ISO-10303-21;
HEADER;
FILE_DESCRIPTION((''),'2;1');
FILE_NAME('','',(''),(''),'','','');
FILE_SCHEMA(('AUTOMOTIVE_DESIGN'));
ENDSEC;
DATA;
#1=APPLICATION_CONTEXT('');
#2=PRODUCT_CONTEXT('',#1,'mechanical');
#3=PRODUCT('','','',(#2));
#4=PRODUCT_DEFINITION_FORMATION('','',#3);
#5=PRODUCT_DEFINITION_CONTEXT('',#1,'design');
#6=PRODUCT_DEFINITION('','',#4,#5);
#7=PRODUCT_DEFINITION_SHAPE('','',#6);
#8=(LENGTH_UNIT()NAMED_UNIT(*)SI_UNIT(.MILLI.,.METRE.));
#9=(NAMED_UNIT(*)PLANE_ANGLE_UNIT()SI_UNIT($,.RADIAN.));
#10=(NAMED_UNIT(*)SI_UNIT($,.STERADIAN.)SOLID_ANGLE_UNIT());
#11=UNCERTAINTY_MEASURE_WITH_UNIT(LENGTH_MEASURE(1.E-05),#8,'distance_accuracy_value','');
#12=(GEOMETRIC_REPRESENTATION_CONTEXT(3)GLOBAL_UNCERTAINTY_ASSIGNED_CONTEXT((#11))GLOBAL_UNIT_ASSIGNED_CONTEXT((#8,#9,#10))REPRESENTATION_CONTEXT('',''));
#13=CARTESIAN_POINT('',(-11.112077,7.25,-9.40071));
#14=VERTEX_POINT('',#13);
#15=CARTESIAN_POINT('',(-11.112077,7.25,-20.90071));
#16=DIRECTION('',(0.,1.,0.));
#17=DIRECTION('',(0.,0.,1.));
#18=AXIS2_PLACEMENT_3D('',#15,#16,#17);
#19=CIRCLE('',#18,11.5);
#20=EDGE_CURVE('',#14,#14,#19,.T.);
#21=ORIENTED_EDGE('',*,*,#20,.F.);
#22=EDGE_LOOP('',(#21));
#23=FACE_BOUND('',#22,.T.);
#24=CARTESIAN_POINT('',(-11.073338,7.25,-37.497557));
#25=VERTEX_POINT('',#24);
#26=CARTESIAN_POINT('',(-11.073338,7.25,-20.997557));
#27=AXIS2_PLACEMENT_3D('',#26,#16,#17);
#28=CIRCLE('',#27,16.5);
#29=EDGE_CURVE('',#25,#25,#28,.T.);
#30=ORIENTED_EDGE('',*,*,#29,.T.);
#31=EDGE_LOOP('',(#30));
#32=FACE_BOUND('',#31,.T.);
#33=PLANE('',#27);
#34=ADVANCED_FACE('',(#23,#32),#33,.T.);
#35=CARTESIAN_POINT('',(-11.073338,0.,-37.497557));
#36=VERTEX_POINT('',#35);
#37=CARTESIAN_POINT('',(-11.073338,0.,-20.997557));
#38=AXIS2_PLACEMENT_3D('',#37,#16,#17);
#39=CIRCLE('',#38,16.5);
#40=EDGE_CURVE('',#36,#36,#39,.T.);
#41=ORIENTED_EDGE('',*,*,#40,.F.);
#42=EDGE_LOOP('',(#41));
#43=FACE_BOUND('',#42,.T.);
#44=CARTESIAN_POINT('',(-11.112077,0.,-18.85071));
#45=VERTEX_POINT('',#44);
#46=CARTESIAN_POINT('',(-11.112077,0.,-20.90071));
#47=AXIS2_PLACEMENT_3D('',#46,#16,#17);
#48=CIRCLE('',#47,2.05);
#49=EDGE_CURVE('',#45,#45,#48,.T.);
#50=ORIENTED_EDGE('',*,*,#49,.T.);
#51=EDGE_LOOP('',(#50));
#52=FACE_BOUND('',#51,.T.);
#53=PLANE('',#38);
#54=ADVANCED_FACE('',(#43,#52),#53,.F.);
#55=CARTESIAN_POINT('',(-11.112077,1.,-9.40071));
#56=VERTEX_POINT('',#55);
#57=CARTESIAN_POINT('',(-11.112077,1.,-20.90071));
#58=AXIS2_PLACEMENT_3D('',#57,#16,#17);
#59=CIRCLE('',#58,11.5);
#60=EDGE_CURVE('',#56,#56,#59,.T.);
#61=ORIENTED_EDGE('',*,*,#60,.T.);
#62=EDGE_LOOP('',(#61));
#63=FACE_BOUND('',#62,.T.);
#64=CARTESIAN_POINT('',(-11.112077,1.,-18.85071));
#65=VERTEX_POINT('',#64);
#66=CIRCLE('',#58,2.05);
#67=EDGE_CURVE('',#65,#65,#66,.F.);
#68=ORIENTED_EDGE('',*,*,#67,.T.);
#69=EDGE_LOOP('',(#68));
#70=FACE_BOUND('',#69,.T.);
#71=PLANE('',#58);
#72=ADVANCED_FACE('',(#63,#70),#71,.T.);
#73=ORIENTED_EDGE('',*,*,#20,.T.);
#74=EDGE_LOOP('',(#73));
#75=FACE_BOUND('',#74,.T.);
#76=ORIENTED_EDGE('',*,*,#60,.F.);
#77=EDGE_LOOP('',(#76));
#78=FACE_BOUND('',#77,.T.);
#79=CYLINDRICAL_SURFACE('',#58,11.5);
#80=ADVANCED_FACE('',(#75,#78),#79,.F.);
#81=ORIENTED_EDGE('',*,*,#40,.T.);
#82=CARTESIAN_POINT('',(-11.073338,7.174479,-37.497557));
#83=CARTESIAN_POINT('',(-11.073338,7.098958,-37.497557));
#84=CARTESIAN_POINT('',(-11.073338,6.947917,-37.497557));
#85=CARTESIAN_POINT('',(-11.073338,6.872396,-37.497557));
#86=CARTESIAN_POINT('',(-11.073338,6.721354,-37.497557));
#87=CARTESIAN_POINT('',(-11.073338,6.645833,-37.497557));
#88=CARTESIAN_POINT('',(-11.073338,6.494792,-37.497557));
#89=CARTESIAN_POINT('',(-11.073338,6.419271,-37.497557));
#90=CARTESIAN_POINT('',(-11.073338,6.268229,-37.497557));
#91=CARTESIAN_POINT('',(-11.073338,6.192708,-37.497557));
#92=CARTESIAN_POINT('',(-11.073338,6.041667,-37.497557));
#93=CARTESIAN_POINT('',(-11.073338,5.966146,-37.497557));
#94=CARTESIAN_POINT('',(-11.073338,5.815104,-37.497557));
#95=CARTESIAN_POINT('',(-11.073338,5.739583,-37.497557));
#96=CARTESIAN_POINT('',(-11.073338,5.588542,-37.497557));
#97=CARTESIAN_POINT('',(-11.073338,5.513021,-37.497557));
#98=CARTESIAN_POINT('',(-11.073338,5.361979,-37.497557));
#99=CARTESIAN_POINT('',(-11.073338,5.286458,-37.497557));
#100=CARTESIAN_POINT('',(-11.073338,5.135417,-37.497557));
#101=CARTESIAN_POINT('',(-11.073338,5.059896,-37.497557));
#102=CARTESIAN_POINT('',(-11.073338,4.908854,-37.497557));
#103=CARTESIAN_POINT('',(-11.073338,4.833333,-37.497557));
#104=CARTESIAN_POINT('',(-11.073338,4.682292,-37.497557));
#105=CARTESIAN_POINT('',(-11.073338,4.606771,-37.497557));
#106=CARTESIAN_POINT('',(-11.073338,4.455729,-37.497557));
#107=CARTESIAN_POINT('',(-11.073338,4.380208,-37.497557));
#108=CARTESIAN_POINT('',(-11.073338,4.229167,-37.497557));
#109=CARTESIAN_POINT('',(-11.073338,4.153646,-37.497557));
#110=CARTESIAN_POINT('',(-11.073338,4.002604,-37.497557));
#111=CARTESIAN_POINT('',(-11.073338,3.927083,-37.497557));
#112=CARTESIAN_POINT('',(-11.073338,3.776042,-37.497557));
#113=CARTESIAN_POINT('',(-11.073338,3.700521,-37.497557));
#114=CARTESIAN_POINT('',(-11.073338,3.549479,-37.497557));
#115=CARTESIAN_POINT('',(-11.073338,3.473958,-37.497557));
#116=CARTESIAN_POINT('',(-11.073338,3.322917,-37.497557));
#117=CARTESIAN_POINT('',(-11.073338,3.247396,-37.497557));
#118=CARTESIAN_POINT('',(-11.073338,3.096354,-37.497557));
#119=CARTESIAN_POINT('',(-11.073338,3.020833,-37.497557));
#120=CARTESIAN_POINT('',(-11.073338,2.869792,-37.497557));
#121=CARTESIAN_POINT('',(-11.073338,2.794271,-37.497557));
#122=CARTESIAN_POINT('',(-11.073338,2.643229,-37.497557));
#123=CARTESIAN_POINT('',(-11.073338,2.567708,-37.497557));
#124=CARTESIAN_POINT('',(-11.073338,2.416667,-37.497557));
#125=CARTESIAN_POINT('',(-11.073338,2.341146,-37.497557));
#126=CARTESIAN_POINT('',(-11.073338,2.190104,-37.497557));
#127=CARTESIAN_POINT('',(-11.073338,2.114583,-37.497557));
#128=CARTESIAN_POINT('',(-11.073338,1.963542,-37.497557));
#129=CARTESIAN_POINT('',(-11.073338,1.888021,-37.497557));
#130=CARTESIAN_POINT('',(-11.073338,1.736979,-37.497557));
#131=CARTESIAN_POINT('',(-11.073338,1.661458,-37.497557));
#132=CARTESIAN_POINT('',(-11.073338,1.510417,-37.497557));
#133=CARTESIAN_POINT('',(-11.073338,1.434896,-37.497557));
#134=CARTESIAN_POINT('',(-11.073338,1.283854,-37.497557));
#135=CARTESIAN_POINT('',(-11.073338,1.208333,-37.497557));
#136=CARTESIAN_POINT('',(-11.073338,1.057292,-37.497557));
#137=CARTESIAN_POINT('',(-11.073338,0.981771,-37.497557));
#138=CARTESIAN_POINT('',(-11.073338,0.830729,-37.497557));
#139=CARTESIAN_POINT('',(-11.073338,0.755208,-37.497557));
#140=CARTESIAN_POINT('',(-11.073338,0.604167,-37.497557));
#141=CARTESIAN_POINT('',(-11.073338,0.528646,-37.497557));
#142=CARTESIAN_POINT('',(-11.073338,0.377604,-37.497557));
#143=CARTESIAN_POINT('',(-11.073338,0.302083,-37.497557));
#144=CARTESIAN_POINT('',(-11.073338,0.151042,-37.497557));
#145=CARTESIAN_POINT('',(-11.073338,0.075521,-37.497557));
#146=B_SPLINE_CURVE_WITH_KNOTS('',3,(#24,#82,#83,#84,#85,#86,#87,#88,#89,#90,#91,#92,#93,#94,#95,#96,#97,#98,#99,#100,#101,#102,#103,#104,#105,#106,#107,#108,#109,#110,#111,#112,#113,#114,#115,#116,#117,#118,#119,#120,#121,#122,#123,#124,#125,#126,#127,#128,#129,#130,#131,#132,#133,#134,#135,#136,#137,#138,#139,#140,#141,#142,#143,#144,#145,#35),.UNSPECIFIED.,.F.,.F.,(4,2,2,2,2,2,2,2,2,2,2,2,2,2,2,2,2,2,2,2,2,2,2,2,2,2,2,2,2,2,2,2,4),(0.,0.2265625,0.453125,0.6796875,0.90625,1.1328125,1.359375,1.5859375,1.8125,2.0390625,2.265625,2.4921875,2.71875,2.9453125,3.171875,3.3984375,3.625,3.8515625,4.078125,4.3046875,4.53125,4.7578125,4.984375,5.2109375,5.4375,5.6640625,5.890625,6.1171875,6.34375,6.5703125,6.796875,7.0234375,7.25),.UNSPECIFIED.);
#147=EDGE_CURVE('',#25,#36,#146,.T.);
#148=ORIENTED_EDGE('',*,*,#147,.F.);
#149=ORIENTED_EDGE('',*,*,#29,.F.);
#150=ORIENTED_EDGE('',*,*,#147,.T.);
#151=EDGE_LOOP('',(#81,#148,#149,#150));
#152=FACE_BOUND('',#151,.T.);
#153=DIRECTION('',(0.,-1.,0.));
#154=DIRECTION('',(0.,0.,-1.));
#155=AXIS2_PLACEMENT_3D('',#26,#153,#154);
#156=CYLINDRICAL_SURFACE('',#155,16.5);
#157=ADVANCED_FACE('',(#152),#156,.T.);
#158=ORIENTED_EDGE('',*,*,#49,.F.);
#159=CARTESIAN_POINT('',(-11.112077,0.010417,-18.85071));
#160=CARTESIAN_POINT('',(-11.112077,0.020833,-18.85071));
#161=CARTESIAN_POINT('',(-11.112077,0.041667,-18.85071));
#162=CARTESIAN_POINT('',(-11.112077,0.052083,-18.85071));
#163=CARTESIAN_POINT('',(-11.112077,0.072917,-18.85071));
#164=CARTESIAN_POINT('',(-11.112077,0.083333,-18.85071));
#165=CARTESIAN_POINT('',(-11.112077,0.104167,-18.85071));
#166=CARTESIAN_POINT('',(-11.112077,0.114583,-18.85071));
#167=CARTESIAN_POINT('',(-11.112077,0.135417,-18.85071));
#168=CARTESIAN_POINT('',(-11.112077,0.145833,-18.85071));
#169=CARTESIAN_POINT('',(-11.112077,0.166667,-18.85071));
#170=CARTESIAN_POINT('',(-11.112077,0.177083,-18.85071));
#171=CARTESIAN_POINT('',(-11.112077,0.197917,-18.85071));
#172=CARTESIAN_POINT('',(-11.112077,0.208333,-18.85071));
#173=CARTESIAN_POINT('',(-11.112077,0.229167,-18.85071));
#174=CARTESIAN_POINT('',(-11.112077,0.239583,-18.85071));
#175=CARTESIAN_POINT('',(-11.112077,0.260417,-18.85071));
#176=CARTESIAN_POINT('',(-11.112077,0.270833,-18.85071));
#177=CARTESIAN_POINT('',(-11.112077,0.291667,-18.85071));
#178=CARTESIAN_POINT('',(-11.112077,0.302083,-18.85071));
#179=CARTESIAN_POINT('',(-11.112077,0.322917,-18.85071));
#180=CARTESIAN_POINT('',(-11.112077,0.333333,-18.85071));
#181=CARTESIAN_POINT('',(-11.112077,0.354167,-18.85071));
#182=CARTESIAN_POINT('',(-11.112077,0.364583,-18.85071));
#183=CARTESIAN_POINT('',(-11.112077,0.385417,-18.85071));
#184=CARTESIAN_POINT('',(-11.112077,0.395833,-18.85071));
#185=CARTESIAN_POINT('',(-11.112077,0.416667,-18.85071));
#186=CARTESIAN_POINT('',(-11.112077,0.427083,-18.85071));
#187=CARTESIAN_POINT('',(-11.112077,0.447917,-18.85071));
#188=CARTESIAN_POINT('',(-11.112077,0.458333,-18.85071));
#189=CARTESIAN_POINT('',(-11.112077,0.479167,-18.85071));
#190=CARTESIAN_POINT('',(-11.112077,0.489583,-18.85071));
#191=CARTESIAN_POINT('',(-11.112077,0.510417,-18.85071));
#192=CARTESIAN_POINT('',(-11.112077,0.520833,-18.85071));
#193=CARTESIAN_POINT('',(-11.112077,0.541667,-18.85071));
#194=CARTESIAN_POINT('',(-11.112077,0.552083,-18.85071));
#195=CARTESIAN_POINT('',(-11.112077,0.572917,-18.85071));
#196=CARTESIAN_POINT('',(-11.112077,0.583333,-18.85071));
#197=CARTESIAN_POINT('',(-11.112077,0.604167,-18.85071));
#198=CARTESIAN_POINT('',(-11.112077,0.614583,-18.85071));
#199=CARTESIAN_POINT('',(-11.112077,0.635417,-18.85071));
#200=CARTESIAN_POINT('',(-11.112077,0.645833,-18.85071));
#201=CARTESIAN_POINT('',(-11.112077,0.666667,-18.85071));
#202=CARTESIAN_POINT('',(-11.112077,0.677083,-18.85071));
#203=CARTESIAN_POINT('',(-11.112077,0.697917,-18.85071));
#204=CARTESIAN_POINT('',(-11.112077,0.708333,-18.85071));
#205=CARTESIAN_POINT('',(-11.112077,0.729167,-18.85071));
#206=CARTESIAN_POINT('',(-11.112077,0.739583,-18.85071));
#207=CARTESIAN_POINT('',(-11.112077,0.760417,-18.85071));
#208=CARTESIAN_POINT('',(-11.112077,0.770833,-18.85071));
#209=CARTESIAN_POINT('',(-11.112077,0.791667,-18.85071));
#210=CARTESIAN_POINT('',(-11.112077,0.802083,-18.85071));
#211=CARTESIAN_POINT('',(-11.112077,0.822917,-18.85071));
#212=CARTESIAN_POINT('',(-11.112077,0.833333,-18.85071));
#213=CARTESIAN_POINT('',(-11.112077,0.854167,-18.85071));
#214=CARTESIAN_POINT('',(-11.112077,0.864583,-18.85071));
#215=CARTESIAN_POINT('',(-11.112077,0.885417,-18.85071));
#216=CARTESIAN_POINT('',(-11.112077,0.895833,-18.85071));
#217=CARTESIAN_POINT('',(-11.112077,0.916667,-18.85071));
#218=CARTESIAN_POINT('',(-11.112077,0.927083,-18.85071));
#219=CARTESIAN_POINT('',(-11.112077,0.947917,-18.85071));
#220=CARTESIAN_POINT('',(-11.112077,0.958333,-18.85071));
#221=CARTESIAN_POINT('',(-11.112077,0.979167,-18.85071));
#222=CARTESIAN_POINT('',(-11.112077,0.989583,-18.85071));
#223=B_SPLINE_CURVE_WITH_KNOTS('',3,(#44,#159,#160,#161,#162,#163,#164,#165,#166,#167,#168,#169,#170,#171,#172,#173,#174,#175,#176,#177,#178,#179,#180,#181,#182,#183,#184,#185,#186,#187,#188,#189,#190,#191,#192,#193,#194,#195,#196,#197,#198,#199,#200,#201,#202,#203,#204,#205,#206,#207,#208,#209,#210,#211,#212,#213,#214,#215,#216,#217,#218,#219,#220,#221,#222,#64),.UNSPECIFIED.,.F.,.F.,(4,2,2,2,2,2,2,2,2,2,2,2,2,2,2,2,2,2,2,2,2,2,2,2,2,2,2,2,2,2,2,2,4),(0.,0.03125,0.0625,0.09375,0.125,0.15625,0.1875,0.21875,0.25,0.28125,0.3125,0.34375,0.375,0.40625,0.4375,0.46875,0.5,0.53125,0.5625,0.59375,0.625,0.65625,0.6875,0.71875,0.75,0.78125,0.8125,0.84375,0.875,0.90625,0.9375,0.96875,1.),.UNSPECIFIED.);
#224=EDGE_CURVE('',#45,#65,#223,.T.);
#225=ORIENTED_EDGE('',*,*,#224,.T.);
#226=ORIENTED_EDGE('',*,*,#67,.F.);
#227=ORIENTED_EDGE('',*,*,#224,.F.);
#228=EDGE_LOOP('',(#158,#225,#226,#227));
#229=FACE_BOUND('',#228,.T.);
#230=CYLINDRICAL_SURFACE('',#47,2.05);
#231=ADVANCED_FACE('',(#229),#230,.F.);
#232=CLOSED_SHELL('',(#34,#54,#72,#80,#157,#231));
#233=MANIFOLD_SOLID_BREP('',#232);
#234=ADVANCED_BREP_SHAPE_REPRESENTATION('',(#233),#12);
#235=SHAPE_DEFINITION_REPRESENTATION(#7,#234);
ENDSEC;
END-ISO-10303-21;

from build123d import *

# Parameters (mm, degrees)
SKETCH1_R           = 16.5
BOSS_EXTRUDE1_DEPTH = 7.25
SKETCH2_R           = 2.05
CUT_EXTRUDE1_DEPTH  = 48.105394919
SKETCH9_R           = 11.5
CUT_EXTRUDE2_DEPTH  = 6.25


with BuildPart() as part:
    # Sketch1 → Boss-Extrude1 (new body)
    with BuildSketch(Plane(origin=(0, 0, 0), x_dir=(1, 0, 0), z_dir=(0, 1, 0))):
        with Locations(Location((-11.073338277, 20.997556543, 0), (0, 0, 90))):
            Circle(SKETCH1_R)
    extrude(amount=BOSS_EXTRUDE1_DEPTH)

    # Sketch2 → Cut-Extrude1 (cut, through all)
    with BuildSketch(Plane(origin=(0, 7.25, 0), x_dir=(1, 0, 0), z_dir=(0, 1, 0))):
        with Locations(Location((-11.112077012, 20.900709706, 0), (0, 0, 270))):
            Circle(SKETCH2_R)
    extrude(amount=-CUT_EXTRUDE1_DEPTH, mode=Mode.SUBTRACT)

    # Sketch9 → Cut-Extrude2 (cut)
    with BuildSketch(Plane(origin=(0, 7.25, 0), x_dir=(1, 0, 0), z_dir=(0, 1, 0))):
        with Locations(Location((-11.112077012, 20.900709706, 0), (0, 0, 270))):
            Circle(SKETCH9_R)
    extrude(amount=-CUT_EXTRUDE2_DEPTH, mode=Mode.SUBTRACT)


solid = part.part
